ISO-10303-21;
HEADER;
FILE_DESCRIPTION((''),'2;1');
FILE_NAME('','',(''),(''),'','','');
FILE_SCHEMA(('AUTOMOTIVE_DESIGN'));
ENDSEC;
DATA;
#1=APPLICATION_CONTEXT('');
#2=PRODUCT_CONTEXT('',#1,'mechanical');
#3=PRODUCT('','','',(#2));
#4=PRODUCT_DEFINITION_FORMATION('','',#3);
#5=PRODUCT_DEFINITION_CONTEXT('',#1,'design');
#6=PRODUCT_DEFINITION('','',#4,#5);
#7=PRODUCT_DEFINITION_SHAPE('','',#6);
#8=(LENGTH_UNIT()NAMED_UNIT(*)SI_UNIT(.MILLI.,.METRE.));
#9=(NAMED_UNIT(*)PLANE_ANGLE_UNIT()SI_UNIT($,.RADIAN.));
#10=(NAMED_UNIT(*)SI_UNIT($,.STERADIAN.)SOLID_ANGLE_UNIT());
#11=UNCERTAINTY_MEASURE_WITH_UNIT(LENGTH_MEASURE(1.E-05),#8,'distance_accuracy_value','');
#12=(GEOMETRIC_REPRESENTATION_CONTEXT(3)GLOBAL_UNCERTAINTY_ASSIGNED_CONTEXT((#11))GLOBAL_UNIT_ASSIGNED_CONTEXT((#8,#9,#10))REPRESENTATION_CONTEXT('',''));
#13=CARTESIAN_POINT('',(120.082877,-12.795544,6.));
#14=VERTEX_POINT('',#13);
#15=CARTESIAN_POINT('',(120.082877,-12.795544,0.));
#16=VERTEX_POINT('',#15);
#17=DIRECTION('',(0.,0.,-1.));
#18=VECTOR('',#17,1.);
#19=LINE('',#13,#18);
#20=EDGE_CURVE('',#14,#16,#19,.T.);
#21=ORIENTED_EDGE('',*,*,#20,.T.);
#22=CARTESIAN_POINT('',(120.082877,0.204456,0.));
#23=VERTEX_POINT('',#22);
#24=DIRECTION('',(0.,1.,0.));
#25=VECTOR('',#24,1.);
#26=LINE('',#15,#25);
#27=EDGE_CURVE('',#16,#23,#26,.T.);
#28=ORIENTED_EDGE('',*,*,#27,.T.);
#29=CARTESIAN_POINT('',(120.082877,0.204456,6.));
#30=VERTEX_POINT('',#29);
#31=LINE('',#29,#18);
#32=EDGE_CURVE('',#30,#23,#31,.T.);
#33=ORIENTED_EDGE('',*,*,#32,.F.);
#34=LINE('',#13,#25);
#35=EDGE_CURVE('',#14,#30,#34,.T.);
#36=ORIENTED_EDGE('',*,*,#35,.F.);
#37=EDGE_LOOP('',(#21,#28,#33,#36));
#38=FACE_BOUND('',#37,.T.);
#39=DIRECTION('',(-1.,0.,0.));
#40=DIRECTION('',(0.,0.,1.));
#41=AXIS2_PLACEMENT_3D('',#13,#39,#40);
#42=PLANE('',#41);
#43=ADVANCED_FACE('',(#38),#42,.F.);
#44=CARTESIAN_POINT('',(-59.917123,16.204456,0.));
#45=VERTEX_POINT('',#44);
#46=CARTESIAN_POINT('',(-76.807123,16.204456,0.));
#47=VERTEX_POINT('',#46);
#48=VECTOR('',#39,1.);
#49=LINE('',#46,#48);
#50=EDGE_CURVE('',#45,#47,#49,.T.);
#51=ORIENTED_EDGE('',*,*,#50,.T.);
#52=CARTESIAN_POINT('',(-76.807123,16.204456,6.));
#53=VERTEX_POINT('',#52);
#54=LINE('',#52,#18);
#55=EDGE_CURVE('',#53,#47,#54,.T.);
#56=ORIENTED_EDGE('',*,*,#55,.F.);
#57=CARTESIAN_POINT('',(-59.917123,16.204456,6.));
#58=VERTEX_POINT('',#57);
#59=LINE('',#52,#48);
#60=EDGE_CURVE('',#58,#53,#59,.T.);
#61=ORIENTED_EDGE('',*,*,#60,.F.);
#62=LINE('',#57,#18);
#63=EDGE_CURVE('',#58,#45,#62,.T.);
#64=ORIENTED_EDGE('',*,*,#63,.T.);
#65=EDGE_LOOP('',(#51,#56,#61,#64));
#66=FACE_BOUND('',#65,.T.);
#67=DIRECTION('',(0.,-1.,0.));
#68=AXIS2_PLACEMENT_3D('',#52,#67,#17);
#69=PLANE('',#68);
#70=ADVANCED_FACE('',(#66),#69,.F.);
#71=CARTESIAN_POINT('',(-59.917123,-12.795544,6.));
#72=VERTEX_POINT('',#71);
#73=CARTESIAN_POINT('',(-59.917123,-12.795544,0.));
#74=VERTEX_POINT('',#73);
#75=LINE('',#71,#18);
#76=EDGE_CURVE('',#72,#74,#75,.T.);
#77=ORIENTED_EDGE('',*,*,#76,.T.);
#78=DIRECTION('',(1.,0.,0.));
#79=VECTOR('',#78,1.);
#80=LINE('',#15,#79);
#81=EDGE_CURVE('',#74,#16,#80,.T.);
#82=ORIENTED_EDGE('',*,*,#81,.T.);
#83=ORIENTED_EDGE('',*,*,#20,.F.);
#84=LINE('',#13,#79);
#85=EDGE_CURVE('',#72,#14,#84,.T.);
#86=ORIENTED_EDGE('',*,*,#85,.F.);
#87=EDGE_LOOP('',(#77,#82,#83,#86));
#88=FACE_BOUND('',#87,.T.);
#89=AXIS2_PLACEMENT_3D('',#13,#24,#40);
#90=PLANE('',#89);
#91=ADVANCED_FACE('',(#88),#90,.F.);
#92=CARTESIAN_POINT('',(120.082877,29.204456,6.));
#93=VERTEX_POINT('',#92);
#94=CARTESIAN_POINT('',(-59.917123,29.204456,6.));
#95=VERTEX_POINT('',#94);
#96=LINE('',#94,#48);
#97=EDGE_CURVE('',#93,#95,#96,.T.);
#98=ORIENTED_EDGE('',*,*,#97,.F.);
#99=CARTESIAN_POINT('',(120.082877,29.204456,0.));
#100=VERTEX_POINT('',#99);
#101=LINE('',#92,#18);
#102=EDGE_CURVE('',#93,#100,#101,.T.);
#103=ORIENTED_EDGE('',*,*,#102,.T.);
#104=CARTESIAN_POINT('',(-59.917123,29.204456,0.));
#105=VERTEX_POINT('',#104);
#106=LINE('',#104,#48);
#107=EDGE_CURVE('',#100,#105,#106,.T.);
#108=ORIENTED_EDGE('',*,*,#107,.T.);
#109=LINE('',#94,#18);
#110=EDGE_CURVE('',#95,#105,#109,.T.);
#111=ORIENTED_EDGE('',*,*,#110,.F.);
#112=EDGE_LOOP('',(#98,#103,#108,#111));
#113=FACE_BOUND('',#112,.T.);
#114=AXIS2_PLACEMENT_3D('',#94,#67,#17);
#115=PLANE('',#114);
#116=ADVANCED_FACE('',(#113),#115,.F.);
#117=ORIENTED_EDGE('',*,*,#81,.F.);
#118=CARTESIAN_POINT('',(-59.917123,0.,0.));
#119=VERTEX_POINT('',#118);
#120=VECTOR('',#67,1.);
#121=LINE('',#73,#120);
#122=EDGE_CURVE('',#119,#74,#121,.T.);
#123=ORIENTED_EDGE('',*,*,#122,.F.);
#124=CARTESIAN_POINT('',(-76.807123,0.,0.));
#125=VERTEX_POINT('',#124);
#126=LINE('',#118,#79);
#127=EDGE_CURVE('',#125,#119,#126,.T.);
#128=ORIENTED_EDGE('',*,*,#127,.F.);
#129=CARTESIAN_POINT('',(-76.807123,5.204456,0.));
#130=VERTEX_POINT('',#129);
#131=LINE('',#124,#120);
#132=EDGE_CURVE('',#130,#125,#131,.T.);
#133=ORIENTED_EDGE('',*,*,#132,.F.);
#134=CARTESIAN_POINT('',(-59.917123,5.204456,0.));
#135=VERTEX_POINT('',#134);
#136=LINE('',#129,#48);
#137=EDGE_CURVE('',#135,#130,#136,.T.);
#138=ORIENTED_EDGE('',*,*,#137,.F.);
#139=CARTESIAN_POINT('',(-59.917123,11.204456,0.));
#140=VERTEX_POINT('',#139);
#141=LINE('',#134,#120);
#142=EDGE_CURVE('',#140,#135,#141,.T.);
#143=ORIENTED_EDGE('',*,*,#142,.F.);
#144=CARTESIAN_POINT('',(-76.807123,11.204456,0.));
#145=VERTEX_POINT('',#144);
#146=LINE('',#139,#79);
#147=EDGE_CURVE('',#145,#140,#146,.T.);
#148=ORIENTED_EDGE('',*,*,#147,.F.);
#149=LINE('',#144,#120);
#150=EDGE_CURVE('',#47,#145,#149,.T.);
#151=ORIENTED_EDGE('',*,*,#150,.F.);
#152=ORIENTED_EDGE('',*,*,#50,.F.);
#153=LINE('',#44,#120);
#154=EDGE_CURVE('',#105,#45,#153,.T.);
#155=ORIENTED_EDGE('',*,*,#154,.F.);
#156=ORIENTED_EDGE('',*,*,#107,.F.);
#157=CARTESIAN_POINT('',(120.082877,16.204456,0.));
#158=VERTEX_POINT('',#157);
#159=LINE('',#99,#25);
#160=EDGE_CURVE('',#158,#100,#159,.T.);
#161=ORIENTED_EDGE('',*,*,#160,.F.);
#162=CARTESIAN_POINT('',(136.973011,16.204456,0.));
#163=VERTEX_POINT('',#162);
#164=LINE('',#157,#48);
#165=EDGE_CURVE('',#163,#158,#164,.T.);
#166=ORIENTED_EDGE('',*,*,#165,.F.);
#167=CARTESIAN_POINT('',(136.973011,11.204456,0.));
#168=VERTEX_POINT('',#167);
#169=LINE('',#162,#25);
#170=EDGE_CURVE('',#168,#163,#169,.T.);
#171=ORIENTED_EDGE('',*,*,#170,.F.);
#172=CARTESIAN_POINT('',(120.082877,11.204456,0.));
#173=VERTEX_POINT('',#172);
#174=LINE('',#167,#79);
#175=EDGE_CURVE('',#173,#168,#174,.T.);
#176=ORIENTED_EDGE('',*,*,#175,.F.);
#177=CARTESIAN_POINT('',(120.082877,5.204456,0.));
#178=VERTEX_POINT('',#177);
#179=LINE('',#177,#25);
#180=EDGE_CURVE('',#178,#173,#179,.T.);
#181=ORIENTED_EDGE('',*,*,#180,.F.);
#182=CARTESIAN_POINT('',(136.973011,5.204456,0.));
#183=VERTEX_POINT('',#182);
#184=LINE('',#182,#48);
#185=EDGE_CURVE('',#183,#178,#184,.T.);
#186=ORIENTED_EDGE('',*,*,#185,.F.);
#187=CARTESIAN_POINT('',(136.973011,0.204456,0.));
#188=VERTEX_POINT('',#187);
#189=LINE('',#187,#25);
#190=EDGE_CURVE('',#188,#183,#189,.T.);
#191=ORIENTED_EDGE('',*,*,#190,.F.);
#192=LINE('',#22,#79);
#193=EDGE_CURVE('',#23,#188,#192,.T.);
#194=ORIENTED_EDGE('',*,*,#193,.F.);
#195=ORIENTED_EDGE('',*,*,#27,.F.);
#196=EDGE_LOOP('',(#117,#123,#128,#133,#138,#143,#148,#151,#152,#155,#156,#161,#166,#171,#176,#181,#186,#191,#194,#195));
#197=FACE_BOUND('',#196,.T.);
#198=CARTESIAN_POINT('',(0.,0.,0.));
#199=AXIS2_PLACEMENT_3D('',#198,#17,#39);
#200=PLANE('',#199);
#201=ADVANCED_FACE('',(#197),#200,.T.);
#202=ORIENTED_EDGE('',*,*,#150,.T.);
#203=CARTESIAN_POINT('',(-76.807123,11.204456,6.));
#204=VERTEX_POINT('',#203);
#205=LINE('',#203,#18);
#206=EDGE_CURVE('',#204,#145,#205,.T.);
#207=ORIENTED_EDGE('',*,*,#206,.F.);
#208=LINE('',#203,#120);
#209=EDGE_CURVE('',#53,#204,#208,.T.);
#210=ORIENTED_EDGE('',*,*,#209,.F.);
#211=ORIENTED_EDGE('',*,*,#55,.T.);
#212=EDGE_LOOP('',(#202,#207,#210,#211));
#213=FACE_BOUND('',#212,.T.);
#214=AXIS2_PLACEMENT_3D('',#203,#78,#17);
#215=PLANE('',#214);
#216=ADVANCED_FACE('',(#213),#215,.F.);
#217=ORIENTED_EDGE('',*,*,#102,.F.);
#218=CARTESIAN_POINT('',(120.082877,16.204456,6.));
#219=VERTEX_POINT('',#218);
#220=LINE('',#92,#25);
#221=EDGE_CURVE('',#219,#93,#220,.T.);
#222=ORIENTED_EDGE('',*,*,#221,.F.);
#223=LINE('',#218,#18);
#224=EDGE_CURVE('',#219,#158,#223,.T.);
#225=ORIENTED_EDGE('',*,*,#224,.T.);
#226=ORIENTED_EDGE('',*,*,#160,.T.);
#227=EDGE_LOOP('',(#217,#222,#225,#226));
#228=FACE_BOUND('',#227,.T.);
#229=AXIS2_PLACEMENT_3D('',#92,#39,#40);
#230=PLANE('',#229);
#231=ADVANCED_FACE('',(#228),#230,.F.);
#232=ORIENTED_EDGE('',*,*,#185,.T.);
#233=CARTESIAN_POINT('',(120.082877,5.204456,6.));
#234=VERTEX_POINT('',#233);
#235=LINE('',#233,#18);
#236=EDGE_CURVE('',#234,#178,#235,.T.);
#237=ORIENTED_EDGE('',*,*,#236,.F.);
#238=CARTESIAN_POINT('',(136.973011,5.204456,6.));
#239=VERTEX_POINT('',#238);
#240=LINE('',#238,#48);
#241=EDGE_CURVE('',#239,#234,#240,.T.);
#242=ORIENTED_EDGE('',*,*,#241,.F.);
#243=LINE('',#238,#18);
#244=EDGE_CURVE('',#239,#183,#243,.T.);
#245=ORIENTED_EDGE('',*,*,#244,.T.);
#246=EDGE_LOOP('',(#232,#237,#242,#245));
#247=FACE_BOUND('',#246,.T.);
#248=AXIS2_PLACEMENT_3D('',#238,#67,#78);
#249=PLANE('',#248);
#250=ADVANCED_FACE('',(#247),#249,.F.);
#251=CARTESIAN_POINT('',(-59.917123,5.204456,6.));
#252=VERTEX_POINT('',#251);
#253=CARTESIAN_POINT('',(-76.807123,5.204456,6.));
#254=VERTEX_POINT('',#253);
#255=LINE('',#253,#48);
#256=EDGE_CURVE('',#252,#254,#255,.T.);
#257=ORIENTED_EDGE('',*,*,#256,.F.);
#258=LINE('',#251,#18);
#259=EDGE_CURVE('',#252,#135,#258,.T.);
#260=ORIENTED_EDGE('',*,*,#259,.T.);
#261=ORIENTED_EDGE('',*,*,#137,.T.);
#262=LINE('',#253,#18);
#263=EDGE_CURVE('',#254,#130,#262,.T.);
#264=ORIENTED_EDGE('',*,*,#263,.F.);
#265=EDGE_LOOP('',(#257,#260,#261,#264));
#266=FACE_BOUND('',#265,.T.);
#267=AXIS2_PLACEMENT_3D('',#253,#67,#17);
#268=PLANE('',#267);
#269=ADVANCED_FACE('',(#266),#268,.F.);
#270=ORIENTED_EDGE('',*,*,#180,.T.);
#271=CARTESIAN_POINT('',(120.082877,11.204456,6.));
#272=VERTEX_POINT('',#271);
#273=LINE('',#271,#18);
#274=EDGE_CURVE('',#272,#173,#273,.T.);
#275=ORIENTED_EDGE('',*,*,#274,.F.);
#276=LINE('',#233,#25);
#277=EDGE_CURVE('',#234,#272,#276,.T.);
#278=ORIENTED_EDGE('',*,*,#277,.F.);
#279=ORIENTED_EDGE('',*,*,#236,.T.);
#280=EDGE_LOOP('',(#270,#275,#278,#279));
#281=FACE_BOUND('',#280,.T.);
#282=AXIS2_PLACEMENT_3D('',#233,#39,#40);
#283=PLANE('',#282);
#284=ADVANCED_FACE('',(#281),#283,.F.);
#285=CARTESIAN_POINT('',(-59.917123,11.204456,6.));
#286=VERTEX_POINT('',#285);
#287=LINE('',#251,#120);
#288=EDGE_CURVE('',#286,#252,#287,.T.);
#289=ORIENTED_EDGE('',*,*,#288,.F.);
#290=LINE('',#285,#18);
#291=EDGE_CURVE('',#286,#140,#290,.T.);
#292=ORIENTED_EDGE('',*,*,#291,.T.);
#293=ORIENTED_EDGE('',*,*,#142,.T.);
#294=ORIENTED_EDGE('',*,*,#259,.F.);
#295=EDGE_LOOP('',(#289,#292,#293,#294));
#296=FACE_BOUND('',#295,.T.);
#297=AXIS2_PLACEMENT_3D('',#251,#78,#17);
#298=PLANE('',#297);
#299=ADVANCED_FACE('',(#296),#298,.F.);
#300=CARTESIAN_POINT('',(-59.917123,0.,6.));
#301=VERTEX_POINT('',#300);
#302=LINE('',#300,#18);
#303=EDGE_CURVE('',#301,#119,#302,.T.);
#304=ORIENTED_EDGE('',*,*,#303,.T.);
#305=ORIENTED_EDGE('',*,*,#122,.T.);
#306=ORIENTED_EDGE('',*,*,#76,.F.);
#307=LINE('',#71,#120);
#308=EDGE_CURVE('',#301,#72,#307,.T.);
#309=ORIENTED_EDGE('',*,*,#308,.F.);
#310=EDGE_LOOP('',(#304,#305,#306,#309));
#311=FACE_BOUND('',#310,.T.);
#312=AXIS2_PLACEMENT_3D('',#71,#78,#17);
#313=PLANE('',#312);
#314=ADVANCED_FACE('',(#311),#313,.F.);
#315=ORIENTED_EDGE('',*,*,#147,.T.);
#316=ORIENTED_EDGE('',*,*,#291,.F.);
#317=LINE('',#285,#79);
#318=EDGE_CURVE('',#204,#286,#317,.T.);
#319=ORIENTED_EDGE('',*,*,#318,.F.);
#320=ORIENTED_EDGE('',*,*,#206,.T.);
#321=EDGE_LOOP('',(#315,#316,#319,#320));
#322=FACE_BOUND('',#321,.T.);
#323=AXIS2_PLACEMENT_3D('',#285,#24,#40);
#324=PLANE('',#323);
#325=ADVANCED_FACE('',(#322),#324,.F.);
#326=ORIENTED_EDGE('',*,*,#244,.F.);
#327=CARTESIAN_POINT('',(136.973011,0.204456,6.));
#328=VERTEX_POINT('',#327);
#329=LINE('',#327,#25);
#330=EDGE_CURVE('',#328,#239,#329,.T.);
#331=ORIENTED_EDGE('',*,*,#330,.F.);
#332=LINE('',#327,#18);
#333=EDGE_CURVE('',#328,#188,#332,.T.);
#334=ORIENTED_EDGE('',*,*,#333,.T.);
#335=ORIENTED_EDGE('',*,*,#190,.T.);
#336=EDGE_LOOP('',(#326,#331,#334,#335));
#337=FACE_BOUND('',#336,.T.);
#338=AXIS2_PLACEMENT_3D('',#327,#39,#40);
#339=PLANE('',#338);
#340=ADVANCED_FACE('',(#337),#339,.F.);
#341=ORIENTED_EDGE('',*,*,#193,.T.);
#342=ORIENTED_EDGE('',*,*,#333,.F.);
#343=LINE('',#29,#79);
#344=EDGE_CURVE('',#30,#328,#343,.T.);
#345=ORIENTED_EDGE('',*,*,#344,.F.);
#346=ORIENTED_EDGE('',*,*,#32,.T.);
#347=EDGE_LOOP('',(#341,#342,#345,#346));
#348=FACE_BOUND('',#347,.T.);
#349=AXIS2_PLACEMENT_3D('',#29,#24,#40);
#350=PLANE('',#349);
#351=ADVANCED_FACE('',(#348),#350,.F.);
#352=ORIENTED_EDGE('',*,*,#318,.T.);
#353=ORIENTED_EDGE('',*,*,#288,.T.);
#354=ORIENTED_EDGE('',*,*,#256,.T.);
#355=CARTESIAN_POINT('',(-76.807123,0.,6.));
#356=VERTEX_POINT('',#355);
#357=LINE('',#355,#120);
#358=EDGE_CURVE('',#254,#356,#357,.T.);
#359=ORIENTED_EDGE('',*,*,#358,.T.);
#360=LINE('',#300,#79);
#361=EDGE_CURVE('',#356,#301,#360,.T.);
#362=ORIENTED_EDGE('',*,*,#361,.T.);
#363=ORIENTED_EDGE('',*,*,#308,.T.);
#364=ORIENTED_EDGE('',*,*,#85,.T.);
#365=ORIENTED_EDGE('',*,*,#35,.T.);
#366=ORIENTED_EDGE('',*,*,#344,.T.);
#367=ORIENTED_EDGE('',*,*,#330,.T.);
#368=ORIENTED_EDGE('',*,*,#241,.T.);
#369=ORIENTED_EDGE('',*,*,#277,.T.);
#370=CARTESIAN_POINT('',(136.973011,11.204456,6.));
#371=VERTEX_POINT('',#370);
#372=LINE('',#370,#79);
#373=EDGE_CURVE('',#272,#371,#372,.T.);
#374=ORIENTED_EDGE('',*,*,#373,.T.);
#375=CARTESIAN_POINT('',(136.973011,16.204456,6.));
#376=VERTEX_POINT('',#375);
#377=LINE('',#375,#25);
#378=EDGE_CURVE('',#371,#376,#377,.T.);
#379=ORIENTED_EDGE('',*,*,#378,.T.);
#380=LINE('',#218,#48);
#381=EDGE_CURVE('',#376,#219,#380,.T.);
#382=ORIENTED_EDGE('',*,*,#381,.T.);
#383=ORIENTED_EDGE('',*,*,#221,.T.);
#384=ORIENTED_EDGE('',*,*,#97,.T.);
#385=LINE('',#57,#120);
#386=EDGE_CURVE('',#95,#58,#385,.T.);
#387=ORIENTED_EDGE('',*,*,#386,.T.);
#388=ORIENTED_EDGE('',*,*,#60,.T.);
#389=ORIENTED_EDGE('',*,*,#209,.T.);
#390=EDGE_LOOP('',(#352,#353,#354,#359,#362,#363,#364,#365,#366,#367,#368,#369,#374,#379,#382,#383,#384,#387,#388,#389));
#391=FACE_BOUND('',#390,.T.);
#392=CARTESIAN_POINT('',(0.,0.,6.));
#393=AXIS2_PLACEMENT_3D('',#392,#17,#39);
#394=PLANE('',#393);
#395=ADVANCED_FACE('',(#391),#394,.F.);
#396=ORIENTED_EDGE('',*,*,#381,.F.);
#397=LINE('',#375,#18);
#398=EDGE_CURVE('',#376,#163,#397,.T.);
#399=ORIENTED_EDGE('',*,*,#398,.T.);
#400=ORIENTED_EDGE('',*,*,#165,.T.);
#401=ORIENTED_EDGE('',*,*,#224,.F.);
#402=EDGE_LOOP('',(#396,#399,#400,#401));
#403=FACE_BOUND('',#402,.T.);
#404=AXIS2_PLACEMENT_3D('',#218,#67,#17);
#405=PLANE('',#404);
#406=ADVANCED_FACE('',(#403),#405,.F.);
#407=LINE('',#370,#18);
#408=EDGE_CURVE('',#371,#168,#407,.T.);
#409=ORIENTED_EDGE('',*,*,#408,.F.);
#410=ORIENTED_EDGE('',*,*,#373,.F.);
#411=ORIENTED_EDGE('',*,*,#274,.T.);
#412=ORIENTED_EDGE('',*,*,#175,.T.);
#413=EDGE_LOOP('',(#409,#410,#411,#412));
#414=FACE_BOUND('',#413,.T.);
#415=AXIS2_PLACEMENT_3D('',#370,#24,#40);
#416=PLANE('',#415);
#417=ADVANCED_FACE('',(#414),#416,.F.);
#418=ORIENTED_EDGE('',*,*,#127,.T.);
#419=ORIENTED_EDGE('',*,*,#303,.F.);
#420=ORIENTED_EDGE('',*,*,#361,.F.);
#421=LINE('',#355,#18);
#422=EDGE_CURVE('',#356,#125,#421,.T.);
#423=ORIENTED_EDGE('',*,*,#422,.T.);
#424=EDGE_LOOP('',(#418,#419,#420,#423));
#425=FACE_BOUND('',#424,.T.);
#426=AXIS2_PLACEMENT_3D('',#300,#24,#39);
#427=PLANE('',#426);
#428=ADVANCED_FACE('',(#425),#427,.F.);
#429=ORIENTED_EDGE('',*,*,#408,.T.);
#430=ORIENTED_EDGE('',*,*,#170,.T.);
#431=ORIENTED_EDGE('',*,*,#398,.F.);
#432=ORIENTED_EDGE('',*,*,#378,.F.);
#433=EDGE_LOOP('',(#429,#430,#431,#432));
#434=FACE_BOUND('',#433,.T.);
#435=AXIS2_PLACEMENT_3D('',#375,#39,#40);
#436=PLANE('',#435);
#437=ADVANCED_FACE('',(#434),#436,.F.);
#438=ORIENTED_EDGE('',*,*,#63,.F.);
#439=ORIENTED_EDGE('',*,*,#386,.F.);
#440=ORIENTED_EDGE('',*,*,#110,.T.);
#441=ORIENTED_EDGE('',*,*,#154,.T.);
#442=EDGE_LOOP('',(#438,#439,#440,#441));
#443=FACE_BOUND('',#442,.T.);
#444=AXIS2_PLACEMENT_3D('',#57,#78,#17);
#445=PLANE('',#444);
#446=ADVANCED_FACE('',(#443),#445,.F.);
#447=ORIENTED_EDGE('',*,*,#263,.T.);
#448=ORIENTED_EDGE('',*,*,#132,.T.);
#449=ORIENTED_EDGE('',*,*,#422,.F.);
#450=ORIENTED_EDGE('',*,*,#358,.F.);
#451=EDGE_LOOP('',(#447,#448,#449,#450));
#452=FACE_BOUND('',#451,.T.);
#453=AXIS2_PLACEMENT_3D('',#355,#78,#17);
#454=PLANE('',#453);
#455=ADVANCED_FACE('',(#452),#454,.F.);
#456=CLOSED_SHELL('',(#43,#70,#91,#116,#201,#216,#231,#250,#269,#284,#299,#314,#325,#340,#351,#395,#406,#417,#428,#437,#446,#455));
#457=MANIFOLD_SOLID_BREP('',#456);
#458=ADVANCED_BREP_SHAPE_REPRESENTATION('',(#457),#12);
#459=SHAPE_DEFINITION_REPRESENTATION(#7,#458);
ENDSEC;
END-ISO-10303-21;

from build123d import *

# Parameters (mm, degrees)
BOSS_EXTRUDE1_DEPTH = 6


with BuildPart() as part:
    # Sketch3 → Boss-Extrude1 (new body)
    with BuildSketch(Plane.XY):
        Polygon((-59.917123056, 29.20445586), (120.082876944, 29.20445586), (120.082876944, 16.20445586), (136.973011288, 16.20445586), (136.973011288, 11.20445586), (120.082876944, 11.20445586), (120.082876944, 5.20445586), (136.973011288, 5.20445586), (136.973011288, 0.20445586), (120.082876944, 0.20445586), (120.082876944, -12.79554414), (-59.917123056, -12.79554414), (-59.917123056, 0), (-76.807123056, 0), (-76.807123056, 5.20445586), (-59.917123056, 5.20445586), (-59.917123056, 11.20445586), (-76.807123056, 11.20445586), (-76.807123056, 16.20445586), (-59.917123056, 16.20445586), align=None)
    extrude(amount=BOSS_EXTRUDE1_DEPTH)


solid = part.part
